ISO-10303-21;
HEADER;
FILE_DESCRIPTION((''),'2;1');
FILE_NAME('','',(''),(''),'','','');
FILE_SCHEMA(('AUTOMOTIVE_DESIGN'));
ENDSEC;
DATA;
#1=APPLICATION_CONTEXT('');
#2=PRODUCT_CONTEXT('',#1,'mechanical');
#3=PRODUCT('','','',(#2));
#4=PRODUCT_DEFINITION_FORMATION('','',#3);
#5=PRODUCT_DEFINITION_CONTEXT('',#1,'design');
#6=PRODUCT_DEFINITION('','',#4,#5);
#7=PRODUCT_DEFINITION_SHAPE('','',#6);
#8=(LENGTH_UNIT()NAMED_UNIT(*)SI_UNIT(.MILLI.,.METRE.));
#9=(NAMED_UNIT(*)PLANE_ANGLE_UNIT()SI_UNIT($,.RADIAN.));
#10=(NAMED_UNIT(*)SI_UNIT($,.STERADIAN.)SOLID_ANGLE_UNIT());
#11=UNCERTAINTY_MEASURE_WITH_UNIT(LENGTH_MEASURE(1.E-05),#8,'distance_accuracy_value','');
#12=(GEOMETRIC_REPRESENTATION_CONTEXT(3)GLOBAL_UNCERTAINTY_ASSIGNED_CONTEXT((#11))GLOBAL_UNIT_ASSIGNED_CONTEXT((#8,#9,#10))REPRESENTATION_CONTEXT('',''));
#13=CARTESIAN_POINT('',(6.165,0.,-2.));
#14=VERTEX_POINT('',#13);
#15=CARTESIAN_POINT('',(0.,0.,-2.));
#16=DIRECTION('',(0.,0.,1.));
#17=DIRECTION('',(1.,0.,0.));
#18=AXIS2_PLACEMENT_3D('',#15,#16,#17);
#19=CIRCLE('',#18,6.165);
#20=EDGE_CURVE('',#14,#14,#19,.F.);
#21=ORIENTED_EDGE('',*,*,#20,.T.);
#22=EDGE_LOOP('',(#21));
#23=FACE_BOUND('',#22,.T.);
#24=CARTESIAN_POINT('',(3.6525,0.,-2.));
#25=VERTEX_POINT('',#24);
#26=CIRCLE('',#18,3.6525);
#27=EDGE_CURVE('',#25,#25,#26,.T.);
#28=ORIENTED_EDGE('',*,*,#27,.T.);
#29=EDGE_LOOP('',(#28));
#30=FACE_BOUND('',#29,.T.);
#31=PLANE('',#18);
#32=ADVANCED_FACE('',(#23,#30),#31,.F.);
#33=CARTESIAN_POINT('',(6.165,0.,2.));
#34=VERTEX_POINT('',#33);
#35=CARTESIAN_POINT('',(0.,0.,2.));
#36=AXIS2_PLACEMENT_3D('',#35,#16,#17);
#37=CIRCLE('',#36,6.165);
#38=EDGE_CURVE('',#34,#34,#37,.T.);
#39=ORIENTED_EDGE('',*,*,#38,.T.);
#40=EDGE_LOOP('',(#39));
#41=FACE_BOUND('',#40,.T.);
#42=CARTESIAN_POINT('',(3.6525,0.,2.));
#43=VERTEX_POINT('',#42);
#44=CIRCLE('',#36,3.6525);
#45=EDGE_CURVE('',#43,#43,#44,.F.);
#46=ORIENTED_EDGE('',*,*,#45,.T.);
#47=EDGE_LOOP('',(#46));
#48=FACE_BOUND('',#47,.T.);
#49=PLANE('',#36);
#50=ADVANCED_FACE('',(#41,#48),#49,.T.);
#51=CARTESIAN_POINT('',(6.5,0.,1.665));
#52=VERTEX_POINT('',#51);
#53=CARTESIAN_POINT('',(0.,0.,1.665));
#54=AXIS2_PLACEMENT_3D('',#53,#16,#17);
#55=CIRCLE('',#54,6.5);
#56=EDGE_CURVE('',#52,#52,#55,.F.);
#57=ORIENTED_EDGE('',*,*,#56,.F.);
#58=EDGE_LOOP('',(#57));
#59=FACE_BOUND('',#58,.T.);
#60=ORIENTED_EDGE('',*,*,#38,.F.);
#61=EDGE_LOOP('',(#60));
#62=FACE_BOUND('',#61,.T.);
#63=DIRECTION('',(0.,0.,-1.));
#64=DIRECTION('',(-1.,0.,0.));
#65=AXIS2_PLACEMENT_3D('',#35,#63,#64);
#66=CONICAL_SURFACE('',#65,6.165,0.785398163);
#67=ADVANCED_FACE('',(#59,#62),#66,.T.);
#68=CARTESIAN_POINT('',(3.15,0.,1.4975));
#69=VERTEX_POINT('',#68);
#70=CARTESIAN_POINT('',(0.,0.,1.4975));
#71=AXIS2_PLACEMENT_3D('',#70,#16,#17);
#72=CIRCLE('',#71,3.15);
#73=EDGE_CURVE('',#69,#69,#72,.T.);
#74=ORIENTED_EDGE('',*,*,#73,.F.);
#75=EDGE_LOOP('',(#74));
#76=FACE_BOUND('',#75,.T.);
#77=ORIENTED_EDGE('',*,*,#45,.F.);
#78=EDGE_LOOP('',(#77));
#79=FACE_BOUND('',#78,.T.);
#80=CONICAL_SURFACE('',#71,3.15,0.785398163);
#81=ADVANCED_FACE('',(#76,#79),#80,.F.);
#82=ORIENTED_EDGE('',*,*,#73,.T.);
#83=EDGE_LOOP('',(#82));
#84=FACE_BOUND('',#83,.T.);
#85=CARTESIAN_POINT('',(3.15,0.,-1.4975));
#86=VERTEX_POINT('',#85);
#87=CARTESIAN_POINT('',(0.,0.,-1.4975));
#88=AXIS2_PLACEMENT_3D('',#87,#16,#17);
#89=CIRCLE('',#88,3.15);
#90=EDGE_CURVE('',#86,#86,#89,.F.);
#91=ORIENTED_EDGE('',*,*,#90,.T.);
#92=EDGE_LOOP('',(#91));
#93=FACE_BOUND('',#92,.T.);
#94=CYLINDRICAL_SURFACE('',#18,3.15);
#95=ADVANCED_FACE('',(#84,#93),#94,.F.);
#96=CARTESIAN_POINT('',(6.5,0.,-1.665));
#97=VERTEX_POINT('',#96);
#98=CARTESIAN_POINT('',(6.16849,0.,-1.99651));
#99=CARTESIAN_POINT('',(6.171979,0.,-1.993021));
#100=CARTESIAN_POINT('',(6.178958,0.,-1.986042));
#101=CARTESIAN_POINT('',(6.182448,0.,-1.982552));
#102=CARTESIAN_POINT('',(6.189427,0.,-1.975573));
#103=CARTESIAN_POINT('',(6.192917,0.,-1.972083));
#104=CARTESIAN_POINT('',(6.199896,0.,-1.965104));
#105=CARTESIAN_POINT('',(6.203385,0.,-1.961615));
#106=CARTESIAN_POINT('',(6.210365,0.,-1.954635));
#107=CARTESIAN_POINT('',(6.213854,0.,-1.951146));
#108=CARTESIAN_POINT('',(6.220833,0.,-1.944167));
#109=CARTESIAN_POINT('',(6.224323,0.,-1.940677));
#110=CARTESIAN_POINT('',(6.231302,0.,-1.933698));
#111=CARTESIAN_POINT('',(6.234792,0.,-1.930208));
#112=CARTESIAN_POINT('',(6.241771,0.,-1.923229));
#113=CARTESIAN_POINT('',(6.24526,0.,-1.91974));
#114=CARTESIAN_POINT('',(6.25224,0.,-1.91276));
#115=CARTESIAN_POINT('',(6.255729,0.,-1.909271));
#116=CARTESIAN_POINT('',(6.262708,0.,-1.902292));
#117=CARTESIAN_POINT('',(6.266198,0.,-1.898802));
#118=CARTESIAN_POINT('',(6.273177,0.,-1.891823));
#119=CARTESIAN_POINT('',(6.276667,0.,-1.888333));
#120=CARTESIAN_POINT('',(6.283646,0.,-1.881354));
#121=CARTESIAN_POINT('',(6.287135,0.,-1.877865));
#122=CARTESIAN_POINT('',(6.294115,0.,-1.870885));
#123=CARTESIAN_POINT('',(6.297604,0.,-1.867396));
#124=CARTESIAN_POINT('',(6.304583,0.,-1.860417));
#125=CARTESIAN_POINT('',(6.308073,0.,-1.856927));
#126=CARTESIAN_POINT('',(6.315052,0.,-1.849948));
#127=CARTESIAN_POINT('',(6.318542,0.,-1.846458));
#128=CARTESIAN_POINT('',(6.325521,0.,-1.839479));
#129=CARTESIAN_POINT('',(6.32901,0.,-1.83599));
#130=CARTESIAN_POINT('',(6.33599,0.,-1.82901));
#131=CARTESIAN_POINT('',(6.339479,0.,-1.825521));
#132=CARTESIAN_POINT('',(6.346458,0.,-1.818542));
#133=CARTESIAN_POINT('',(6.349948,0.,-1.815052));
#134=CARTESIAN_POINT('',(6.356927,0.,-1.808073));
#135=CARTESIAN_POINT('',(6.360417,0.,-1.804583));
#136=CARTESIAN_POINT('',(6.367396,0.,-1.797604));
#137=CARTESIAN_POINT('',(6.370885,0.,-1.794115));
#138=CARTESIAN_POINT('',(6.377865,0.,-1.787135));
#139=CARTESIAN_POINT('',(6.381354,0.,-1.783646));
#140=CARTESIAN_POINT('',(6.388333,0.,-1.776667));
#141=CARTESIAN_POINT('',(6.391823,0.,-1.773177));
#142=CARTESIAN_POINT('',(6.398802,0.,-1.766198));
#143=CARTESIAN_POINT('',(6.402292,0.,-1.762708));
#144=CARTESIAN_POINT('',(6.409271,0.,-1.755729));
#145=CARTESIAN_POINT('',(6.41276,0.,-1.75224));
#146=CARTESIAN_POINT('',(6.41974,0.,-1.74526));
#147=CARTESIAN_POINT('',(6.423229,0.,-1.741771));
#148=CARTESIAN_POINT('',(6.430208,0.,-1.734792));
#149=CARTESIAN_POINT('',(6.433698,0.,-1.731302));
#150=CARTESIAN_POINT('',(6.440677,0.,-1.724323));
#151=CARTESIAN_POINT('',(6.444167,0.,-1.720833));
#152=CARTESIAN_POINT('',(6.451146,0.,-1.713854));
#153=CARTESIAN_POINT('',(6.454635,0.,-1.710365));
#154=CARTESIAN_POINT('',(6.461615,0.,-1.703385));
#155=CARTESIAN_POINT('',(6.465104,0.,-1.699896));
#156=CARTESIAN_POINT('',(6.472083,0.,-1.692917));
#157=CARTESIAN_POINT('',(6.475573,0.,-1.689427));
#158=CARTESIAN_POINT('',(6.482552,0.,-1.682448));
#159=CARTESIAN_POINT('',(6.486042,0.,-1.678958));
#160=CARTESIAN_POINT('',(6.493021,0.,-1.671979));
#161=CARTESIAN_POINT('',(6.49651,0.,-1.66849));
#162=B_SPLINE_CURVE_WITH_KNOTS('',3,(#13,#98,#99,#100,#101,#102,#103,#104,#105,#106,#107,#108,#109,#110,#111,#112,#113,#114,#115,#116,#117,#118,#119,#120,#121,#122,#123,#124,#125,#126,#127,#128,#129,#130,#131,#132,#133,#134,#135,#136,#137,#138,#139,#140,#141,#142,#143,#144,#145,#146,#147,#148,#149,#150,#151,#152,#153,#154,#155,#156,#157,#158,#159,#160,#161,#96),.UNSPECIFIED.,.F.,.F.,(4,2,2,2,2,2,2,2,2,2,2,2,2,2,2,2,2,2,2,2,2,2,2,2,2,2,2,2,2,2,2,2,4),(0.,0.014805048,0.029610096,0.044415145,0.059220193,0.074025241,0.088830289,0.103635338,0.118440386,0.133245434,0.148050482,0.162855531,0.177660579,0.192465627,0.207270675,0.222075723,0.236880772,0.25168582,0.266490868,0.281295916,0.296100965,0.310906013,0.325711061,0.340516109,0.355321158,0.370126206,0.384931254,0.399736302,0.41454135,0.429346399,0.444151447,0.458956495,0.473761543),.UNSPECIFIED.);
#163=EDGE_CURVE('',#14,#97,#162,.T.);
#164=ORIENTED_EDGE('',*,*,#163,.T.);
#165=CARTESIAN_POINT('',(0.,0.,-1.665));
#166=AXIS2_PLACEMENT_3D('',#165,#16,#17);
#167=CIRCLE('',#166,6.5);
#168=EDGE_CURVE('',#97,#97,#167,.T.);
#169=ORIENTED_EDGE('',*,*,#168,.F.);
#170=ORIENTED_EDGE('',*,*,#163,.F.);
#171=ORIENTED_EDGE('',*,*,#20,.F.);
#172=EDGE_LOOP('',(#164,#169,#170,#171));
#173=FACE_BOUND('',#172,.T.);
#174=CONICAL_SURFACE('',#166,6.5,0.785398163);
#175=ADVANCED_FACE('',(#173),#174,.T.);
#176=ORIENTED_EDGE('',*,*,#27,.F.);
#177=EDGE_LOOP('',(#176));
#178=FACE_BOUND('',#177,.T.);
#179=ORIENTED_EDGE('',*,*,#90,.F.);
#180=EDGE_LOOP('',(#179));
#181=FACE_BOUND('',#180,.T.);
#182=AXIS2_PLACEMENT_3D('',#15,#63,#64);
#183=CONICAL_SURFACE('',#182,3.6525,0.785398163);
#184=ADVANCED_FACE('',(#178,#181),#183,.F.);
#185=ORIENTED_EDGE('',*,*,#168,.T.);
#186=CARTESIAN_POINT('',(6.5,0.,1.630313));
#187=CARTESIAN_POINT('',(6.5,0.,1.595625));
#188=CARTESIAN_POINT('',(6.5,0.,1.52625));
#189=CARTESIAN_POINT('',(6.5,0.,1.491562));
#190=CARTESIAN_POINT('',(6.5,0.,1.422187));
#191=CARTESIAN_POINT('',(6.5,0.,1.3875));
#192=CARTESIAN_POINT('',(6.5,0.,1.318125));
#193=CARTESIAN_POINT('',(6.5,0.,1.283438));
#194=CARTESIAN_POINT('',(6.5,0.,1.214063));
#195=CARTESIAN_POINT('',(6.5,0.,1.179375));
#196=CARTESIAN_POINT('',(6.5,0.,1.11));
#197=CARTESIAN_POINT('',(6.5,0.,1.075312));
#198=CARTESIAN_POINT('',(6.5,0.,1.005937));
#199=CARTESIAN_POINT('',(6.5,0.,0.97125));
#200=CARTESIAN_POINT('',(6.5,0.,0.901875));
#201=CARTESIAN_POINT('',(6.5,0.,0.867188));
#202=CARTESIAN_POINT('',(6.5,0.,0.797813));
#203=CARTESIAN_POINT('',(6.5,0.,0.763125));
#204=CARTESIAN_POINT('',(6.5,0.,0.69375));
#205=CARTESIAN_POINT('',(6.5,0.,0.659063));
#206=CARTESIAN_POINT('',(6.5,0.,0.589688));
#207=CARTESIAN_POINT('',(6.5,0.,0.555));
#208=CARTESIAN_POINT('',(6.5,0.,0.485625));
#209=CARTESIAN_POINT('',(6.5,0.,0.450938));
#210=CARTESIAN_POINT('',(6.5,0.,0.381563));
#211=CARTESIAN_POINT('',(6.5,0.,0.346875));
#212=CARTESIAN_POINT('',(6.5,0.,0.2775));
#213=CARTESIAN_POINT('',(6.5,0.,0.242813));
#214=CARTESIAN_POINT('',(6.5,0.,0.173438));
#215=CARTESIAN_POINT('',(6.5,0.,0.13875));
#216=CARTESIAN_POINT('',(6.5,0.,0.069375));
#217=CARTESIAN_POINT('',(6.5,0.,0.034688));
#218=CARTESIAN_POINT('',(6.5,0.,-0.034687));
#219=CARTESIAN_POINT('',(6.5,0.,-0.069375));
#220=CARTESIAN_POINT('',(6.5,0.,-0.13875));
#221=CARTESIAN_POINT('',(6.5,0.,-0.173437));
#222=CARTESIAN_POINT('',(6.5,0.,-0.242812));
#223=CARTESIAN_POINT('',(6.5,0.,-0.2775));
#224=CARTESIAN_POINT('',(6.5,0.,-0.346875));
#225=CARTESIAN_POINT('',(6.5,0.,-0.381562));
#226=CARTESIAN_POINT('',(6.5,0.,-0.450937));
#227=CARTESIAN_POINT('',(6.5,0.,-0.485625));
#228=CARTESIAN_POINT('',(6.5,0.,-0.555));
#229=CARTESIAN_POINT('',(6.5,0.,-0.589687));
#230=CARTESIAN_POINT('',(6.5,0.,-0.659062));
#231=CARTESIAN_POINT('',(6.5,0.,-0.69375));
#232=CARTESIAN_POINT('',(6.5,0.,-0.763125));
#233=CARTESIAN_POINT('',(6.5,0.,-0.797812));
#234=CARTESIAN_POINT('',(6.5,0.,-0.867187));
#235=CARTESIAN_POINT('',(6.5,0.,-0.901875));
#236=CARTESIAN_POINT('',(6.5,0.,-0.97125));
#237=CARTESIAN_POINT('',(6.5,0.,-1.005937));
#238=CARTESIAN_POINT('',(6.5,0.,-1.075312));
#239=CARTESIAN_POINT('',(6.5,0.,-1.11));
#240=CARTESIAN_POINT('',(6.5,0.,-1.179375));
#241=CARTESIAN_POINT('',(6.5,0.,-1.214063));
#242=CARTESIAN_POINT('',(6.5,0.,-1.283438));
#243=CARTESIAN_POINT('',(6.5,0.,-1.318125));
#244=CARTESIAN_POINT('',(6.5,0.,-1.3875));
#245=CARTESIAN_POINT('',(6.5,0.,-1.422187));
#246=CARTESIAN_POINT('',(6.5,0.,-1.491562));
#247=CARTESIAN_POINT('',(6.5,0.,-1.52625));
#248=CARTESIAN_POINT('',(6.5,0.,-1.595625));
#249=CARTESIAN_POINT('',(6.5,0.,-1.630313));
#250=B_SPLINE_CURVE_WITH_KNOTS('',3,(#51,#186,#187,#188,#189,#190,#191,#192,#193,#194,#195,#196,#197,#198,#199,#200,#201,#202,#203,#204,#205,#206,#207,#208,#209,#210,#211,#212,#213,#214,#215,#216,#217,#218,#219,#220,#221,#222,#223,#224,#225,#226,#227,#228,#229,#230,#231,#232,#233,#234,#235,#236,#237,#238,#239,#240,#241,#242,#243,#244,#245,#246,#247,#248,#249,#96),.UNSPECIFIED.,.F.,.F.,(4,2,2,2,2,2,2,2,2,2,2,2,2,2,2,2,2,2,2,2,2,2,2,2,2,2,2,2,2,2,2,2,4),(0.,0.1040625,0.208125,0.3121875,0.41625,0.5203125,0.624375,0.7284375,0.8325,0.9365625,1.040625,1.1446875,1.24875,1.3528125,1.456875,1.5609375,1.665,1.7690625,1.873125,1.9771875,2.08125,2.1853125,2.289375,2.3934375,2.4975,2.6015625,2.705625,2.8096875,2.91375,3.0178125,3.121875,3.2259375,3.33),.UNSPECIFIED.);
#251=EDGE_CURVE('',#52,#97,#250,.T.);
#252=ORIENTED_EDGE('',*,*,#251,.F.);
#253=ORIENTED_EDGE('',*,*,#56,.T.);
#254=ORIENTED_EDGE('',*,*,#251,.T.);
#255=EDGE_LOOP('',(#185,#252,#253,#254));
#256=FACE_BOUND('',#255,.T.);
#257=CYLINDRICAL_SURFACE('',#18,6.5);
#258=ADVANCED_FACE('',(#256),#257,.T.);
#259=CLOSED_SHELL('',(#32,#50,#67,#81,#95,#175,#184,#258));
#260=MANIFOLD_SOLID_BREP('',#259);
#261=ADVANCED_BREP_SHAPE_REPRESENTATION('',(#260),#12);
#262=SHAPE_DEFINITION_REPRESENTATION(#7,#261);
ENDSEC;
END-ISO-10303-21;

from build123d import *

# Parameters (mm, degrees)
BOSS_EXTRUDE1_DEPTH      = 2
BOSS_EXTRUDE1_DEPTH_BACK = 2
SKETCH3_R                = 6.5
SKETCH3_R_2              = 3.15
CHAMFER1_SIZE            = 0.335
CHAMFER2_SIZE            = 0.5025


with BuildPart() as part:
    # Sketch3 → Boss-Extrude1 (new, two sides: drawn at the far end of the back side and taken through both)
    with BuildSketch(Plane.XY.offset(-BOSS_EXTRUDE1_DEPTH_BACK)):
        Circle(SKETCH3_R)
        Circle(SKETCH3_R_2, mode=Mode.SUBTRACT)
    extrude(amount=BOSS_EXTRUDE1_DEPTH + BOSS_EXTRUDE1_DEPTH_BACK)

    # Chamfer1
    chamfer1_edges = [part.edges().sort_by_distance(p)[0] for p in [
        (-6.5, 0, -2),
        (-6.5, 0, 2),
    ]]
    chamfer(chamfer1_edges, length=CHAMFER1_SIZE)

    # Chamfer2
    chamfer2_edges = [part.edges().sort_by_distance(p)[0] for p in [
        (-3.15, 0, -2),
        (-3.15, 0, 2),
    ]]
    chamfer(chamfer2_edges, length=CHAMFER2_SIZE)


solid = part.part
